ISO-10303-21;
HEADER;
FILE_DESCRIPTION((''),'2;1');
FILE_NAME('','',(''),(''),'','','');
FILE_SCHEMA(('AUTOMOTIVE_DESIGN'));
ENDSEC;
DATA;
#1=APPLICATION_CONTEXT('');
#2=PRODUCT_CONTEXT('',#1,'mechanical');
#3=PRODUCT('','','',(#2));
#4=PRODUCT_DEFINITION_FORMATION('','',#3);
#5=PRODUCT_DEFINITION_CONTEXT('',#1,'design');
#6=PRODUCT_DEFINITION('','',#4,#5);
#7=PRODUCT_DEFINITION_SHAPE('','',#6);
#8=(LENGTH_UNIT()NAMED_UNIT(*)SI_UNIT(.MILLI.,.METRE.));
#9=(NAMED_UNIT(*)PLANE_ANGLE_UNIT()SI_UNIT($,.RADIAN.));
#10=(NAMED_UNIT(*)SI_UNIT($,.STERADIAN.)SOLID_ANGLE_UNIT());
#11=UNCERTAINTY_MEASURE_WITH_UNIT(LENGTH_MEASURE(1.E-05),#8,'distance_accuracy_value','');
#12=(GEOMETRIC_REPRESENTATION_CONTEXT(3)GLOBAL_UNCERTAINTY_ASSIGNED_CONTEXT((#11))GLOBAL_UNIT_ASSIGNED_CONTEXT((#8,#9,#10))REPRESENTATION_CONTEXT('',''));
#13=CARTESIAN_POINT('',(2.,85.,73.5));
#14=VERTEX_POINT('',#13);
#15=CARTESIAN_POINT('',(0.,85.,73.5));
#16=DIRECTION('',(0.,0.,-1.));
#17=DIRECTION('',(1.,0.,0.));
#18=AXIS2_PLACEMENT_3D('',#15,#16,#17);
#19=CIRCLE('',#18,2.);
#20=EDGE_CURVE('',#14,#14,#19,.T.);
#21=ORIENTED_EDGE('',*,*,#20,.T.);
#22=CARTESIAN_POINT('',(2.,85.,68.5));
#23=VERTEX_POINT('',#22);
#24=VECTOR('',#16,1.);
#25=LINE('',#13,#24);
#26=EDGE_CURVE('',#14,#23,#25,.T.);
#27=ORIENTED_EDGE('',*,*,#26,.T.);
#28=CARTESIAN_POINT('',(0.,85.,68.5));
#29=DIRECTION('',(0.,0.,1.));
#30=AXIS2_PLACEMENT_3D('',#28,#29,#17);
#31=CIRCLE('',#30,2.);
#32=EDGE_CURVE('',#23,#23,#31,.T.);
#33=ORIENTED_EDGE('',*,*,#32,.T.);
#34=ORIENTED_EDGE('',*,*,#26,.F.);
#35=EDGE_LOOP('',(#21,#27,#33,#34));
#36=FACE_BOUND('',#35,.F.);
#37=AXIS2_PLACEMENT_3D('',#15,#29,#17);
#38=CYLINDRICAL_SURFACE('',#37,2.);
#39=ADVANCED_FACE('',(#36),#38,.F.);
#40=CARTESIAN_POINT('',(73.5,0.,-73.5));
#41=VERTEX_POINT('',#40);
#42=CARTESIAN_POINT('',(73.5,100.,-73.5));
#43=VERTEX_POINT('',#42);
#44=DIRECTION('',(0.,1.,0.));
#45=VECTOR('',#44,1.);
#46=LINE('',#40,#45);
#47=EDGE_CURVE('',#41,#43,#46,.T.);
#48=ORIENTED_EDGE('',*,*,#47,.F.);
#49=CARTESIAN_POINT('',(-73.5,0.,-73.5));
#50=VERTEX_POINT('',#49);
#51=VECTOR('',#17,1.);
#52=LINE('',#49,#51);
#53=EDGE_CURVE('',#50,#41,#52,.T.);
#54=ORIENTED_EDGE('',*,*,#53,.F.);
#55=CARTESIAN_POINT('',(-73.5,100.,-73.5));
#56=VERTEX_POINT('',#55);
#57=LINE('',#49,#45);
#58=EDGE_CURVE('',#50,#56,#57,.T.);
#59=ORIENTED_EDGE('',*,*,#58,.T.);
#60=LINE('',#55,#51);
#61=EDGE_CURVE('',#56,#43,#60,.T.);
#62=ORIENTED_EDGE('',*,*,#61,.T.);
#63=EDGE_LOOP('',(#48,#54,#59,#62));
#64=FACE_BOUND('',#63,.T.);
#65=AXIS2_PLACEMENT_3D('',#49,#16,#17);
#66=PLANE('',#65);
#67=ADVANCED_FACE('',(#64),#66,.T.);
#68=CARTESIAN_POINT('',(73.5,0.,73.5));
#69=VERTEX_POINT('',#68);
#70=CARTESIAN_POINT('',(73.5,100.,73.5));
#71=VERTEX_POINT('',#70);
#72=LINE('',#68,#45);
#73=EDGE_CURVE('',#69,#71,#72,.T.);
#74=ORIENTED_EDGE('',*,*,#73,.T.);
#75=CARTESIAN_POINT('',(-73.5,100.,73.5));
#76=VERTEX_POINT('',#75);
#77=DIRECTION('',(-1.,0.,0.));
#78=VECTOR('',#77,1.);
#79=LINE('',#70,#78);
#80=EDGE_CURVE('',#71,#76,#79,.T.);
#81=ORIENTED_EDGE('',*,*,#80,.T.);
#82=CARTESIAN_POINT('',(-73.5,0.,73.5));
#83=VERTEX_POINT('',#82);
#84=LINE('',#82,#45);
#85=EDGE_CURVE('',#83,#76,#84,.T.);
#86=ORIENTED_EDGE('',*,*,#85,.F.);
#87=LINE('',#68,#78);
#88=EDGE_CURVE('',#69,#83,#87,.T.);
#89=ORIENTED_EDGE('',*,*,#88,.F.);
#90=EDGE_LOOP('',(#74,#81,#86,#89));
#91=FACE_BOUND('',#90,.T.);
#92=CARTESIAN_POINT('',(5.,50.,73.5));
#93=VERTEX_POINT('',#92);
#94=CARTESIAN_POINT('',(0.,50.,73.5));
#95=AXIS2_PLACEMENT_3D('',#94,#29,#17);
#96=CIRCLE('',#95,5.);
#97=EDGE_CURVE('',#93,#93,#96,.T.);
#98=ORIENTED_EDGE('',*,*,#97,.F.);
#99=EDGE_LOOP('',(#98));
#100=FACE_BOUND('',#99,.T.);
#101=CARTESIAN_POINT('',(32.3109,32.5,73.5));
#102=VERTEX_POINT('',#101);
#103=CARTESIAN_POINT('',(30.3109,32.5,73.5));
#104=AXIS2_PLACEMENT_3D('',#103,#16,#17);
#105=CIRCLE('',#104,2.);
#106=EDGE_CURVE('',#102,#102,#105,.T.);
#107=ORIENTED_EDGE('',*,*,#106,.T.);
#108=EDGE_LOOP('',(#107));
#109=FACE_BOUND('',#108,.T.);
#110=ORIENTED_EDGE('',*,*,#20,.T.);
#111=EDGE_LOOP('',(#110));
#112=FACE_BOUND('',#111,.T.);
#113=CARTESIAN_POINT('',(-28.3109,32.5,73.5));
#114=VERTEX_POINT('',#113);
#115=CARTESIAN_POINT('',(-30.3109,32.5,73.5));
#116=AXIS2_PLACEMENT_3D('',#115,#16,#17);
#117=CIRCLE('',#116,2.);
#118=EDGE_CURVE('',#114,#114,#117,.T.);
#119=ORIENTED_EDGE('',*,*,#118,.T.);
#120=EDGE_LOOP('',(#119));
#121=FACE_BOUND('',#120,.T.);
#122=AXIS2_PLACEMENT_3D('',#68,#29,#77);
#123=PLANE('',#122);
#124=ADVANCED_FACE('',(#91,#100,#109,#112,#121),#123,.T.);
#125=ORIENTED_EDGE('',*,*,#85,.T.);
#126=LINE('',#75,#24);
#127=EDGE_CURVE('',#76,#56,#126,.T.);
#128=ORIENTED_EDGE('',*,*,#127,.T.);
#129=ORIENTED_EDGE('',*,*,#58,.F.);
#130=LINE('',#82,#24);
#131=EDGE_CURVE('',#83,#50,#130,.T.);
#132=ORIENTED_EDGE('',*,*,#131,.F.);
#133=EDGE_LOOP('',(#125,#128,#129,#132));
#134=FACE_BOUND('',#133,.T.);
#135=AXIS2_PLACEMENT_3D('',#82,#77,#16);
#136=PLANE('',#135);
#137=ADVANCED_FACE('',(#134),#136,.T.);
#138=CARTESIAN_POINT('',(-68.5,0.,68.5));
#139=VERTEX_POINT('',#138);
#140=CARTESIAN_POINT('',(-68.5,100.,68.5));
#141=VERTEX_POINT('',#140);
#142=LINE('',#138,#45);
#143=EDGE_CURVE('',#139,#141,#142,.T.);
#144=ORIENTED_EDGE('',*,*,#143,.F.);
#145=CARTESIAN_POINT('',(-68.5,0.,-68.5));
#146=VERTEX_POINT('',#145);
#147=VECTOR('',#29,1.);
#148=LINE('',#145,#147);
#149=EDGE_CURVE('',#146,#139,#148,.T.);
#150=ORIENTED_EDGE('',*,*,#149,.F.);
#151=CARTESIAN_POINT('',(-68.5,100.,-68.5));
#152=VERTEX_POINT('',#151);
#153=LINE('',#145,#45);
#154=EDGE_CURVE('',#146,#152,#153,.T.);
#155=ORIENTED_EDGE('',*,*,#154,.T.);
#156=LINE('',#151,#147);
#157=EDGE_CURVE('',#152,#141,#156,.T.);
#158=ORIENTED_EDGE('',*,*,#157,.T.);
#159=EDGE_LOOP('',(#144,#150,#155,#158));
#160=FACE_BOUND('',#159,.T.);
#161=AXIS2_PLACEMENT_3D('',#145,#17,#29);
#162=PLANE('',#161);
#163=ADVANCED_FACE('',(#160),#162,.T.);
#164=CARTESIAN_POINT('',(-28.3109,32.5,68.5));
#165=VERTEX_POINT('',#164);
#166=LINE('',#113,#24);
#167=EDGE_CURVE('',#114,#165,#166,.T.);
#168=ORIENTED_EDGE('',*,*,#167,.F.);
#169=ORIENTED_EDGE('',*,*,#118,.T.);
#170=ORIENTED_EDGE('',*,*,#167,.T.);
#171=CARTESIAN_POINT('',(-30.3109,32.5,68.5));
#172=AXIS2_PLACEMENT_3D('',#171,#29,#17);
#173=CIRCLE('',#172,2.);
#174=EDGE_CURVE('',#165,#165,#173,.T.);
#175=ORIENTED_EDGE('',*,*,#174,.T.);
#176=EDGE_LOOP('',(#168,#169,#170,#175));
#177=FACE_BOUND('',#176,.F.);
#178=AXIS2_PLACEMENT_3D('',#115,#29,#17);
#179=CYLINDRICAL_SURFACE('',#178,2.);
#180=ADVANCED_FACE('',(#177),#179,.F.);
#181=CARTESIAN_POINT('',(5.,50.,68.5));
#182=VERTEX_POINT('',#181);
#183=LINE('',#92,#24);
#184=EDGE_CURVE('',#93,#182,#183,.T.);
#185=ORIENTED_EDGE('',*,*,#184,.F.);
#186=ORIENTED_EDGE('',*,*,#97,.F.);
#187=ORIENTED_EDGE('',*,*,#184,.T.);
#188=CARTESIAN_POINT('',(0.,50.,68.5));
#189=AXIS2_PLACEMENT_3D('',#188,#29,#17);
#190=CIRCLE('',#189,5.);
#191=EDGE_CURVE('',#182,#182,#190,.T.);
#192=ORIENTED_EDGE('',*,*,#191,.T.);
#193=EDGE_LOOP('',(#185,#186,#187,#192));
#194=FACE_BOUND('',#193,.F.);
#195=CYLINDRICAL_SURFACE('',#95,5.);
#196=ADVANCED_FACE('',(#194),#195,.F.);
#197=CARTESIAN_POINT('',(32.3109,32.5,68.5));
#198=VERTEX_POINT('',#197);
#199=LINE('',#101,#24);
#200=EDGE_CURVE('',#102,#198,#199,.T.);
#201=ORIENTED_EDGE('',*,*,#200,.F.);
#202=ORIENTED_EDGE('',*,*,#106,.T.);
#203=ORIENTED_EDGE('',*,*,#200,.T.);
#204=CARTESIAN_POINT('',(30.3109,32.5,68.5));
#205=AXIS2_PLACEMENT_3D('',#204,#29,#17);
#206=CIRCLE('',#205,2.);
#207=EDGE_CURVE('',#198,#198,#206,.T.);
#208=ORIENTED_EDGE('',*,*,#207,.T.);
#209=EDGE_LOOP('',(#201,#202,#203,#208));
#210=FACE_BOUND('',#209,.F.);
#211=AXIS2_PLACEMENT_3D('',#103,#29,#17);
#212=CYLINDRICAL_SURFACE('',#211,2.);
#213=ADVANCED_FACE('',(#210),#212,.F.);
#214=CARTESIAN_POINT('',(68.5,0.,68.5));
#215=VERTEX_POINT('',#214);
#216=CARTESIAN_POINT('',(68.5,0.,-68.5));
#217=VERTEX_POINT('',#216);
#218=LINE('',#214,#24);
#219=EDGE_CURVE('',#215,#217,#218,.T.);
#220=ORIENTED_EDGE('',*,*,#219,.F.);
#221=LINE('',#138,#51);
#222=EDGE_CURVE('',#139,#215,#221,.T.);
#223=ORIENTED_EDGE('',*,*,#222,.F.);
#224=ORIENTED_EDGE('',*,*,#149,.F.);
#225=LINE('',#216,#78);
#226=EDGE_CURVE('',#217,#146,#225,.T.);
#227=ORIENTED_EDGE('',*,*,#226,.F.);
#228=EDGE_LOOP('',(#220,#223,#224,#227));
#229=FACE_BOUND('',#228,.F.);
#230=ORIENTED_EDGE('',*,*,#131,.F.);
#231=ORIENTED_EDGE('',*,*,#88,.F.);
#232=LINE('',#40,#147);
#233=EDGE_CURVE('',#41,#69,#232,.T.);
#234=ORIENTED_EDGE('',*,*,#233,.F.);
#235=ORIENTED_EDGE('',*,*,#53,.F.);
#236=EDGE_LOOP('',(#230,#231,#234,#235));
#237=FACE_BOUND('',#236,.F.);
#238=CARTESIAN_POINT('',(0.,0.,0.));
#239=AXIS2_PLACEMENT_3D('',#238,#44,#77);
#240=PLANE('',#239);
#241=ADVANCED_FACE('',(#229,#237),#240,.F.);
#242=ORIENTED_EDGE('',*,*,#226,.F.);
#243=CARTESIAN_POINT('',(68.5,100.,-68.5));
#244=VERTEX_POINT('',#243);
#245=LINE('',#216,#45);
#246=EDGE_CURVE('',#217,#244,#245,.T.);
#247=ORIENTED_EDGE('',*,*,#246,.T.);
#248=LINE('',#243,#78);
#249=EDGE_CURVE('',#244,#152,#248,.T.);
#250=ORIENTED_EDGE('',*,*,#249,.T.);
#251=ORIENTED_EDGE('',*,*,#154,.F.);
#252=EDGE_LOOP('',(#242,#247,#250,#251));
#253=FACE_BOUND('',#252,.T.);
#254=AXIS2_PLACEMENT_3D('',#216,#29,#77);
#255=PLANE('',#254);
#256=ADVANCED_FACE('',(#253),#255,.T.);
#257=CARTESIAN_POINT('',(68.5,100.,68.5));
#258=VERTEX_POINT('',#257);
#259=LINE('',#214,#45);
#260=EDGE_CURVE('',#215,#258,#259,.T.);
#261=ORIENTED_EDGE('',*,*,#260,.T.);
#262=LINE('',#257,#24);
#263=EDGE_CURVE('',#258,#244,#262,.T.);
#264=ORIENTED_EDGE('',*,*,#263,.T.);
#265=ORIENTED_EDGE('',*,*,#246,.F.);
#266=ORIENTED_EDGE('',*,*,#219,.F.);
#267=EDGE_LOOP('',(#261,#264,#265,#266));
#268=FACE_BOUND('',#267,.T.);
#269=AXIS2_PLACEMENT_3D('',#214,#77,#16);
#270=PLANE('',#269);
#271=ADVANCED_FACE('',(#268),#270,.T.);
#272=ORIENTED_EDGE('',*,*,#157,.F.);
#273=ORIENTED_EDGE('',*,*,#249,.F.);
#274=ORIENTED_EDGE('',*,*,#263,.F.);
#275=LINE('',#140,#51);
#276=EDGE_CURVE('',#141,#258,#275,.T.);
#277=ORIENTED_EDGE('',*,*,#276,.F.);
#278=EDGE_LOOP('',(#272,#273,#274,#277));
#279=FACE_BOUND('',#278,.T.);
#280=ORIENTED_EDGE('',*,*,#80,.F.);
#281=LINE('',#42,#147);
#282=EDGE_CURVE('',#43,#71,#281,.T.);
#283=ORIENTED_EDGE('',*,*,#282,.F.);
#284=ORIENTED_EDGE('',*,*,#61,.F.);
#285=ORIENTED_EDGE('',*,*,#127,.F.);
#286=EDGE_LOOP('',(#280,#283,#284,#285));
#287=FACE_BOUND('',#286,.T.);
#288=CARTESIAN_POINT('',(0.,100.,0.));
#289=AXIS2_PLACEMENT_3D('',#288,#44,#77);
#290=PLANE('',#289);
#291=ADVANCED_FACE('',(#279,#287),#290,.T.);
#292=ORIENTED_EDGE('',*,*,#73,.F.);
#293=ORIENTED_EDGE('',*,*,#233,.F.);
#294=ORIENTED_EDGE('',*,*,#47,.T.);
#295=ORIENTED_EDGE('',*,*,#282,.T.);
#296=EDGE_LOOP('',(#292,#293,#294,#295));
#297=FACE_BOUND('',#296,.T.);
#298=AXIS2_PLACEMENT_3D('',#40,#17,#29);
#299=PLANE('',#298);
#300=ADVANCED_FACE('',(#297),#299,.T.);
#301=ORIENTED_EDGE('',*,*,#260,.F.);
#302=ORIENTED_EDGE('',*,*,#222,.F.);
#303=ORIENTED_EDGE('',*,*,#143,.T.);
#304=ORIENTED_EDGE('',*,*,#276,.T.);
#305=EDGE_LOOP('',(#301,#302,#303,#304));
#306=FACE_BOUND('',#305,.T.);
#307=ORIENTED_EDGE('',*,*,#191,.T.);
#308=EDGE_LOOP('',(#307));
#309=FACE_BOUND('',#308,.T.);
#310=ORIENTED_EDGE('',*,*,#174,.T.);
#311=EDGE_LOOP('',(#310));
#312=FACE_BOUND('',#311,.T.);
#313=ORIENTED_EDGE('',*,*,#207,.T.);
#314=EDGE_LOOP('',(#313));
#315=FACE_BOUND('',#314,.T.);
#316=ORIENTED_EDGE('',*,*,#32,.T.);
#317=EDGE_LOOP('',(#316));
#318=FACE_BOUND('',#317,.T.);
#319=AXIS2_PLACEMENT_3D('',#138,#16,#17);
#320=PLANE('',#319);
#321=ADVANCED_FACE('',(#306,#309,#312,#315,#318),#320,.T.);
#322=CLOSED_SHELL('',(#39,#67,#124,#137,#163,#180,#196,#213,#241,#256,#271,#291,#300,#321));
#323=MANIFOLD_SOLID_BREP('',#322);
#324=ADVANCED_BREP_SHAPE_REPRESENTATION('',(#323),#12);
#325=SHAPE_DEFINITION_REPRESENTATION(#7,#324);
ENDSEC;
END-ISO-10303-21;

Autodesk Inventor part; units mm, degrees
ref_plane "YZ Plane" through (0, 0, 0) normal (1, 0, 0) x (0, 1, 0)
ref_plane "XZ Plane" through (0, 0, 0) normal (0, 1, 0) x (-1, 0, 0)
ref_plane "XY Plane" through (0, 0, 0) normal (0, 0, 1) x (1, 0, 0)
sketch "Sketch1" plane through (0, 0, 0) normal (0, 1, 0) x (-1, 0, 0)
  line L0 (-68.5, -68.5) -> (68.5, -68.5)
  line L1 (68.5, -68.5) -> (68.5, 68.5)
  line L2 (68.5, 68.5) -> (-68.5, 68.5)
  line L3 (-68.5, 68.5) -> (-68.5, -68.5)
  line L4 (-68.5, -68.5) -> (68.5, 68.5) construction
  line L5 (68.5, -68.5) -> (-68.5, 68.5) construction
  line L6 (-73.5, 73.5) -> (73.5, 73.5)
  line L7 (73.5, 73.5) -> (73.5, -73.5)
  line L8 (73.5, -73.5) -> (-73.5, -73.5)
  line L9 (-73.5, -73.5) -> (-73.5, 73.5)
  point P0 (0, 0)
  dimension "d0" = 137
  dimension "d1" = 137
  dimension "d2" = 5
extrude "Extrusion1" add sketch "Sketch1" along normal blind 100
sketch "Sketch2" plane through (-73.5, 0, 73.5) normal (0, 0, 1) x (1, 0, 0)
  line L0 (0, 0) -> (147, 0) projected
  line L1 (147, 0) -> (147, 100) projected
  line L2 (0, 100) -> (147, 100) projected
  line L3 (0, 0) -> (0, 100) projected
  circle A0 centre (73.5, 50) radius 35
  circle A1 centre (73.5, 85) radius 2
  circle A2 centre (43.1891, 32.5) radius 2
  circle A3 centre (103.8109, 32.5) radius 2
  circle A4 centre (73.5, 50) radius 5
  point P0 (73.5, 0)
  dimension "d5" = 70
  dimension "d6" = 4
  dimension "d9" = 360
  dimension "d13" = 10
extrude "Extrusion2" cut sketch "Sketch2" against normal blind 5 contours A1 A0 | A0 A1 | A3 A0 | A0 A3 | A2 A0 | A0 A2 | A4
properties part number "Seccion_tunel"
